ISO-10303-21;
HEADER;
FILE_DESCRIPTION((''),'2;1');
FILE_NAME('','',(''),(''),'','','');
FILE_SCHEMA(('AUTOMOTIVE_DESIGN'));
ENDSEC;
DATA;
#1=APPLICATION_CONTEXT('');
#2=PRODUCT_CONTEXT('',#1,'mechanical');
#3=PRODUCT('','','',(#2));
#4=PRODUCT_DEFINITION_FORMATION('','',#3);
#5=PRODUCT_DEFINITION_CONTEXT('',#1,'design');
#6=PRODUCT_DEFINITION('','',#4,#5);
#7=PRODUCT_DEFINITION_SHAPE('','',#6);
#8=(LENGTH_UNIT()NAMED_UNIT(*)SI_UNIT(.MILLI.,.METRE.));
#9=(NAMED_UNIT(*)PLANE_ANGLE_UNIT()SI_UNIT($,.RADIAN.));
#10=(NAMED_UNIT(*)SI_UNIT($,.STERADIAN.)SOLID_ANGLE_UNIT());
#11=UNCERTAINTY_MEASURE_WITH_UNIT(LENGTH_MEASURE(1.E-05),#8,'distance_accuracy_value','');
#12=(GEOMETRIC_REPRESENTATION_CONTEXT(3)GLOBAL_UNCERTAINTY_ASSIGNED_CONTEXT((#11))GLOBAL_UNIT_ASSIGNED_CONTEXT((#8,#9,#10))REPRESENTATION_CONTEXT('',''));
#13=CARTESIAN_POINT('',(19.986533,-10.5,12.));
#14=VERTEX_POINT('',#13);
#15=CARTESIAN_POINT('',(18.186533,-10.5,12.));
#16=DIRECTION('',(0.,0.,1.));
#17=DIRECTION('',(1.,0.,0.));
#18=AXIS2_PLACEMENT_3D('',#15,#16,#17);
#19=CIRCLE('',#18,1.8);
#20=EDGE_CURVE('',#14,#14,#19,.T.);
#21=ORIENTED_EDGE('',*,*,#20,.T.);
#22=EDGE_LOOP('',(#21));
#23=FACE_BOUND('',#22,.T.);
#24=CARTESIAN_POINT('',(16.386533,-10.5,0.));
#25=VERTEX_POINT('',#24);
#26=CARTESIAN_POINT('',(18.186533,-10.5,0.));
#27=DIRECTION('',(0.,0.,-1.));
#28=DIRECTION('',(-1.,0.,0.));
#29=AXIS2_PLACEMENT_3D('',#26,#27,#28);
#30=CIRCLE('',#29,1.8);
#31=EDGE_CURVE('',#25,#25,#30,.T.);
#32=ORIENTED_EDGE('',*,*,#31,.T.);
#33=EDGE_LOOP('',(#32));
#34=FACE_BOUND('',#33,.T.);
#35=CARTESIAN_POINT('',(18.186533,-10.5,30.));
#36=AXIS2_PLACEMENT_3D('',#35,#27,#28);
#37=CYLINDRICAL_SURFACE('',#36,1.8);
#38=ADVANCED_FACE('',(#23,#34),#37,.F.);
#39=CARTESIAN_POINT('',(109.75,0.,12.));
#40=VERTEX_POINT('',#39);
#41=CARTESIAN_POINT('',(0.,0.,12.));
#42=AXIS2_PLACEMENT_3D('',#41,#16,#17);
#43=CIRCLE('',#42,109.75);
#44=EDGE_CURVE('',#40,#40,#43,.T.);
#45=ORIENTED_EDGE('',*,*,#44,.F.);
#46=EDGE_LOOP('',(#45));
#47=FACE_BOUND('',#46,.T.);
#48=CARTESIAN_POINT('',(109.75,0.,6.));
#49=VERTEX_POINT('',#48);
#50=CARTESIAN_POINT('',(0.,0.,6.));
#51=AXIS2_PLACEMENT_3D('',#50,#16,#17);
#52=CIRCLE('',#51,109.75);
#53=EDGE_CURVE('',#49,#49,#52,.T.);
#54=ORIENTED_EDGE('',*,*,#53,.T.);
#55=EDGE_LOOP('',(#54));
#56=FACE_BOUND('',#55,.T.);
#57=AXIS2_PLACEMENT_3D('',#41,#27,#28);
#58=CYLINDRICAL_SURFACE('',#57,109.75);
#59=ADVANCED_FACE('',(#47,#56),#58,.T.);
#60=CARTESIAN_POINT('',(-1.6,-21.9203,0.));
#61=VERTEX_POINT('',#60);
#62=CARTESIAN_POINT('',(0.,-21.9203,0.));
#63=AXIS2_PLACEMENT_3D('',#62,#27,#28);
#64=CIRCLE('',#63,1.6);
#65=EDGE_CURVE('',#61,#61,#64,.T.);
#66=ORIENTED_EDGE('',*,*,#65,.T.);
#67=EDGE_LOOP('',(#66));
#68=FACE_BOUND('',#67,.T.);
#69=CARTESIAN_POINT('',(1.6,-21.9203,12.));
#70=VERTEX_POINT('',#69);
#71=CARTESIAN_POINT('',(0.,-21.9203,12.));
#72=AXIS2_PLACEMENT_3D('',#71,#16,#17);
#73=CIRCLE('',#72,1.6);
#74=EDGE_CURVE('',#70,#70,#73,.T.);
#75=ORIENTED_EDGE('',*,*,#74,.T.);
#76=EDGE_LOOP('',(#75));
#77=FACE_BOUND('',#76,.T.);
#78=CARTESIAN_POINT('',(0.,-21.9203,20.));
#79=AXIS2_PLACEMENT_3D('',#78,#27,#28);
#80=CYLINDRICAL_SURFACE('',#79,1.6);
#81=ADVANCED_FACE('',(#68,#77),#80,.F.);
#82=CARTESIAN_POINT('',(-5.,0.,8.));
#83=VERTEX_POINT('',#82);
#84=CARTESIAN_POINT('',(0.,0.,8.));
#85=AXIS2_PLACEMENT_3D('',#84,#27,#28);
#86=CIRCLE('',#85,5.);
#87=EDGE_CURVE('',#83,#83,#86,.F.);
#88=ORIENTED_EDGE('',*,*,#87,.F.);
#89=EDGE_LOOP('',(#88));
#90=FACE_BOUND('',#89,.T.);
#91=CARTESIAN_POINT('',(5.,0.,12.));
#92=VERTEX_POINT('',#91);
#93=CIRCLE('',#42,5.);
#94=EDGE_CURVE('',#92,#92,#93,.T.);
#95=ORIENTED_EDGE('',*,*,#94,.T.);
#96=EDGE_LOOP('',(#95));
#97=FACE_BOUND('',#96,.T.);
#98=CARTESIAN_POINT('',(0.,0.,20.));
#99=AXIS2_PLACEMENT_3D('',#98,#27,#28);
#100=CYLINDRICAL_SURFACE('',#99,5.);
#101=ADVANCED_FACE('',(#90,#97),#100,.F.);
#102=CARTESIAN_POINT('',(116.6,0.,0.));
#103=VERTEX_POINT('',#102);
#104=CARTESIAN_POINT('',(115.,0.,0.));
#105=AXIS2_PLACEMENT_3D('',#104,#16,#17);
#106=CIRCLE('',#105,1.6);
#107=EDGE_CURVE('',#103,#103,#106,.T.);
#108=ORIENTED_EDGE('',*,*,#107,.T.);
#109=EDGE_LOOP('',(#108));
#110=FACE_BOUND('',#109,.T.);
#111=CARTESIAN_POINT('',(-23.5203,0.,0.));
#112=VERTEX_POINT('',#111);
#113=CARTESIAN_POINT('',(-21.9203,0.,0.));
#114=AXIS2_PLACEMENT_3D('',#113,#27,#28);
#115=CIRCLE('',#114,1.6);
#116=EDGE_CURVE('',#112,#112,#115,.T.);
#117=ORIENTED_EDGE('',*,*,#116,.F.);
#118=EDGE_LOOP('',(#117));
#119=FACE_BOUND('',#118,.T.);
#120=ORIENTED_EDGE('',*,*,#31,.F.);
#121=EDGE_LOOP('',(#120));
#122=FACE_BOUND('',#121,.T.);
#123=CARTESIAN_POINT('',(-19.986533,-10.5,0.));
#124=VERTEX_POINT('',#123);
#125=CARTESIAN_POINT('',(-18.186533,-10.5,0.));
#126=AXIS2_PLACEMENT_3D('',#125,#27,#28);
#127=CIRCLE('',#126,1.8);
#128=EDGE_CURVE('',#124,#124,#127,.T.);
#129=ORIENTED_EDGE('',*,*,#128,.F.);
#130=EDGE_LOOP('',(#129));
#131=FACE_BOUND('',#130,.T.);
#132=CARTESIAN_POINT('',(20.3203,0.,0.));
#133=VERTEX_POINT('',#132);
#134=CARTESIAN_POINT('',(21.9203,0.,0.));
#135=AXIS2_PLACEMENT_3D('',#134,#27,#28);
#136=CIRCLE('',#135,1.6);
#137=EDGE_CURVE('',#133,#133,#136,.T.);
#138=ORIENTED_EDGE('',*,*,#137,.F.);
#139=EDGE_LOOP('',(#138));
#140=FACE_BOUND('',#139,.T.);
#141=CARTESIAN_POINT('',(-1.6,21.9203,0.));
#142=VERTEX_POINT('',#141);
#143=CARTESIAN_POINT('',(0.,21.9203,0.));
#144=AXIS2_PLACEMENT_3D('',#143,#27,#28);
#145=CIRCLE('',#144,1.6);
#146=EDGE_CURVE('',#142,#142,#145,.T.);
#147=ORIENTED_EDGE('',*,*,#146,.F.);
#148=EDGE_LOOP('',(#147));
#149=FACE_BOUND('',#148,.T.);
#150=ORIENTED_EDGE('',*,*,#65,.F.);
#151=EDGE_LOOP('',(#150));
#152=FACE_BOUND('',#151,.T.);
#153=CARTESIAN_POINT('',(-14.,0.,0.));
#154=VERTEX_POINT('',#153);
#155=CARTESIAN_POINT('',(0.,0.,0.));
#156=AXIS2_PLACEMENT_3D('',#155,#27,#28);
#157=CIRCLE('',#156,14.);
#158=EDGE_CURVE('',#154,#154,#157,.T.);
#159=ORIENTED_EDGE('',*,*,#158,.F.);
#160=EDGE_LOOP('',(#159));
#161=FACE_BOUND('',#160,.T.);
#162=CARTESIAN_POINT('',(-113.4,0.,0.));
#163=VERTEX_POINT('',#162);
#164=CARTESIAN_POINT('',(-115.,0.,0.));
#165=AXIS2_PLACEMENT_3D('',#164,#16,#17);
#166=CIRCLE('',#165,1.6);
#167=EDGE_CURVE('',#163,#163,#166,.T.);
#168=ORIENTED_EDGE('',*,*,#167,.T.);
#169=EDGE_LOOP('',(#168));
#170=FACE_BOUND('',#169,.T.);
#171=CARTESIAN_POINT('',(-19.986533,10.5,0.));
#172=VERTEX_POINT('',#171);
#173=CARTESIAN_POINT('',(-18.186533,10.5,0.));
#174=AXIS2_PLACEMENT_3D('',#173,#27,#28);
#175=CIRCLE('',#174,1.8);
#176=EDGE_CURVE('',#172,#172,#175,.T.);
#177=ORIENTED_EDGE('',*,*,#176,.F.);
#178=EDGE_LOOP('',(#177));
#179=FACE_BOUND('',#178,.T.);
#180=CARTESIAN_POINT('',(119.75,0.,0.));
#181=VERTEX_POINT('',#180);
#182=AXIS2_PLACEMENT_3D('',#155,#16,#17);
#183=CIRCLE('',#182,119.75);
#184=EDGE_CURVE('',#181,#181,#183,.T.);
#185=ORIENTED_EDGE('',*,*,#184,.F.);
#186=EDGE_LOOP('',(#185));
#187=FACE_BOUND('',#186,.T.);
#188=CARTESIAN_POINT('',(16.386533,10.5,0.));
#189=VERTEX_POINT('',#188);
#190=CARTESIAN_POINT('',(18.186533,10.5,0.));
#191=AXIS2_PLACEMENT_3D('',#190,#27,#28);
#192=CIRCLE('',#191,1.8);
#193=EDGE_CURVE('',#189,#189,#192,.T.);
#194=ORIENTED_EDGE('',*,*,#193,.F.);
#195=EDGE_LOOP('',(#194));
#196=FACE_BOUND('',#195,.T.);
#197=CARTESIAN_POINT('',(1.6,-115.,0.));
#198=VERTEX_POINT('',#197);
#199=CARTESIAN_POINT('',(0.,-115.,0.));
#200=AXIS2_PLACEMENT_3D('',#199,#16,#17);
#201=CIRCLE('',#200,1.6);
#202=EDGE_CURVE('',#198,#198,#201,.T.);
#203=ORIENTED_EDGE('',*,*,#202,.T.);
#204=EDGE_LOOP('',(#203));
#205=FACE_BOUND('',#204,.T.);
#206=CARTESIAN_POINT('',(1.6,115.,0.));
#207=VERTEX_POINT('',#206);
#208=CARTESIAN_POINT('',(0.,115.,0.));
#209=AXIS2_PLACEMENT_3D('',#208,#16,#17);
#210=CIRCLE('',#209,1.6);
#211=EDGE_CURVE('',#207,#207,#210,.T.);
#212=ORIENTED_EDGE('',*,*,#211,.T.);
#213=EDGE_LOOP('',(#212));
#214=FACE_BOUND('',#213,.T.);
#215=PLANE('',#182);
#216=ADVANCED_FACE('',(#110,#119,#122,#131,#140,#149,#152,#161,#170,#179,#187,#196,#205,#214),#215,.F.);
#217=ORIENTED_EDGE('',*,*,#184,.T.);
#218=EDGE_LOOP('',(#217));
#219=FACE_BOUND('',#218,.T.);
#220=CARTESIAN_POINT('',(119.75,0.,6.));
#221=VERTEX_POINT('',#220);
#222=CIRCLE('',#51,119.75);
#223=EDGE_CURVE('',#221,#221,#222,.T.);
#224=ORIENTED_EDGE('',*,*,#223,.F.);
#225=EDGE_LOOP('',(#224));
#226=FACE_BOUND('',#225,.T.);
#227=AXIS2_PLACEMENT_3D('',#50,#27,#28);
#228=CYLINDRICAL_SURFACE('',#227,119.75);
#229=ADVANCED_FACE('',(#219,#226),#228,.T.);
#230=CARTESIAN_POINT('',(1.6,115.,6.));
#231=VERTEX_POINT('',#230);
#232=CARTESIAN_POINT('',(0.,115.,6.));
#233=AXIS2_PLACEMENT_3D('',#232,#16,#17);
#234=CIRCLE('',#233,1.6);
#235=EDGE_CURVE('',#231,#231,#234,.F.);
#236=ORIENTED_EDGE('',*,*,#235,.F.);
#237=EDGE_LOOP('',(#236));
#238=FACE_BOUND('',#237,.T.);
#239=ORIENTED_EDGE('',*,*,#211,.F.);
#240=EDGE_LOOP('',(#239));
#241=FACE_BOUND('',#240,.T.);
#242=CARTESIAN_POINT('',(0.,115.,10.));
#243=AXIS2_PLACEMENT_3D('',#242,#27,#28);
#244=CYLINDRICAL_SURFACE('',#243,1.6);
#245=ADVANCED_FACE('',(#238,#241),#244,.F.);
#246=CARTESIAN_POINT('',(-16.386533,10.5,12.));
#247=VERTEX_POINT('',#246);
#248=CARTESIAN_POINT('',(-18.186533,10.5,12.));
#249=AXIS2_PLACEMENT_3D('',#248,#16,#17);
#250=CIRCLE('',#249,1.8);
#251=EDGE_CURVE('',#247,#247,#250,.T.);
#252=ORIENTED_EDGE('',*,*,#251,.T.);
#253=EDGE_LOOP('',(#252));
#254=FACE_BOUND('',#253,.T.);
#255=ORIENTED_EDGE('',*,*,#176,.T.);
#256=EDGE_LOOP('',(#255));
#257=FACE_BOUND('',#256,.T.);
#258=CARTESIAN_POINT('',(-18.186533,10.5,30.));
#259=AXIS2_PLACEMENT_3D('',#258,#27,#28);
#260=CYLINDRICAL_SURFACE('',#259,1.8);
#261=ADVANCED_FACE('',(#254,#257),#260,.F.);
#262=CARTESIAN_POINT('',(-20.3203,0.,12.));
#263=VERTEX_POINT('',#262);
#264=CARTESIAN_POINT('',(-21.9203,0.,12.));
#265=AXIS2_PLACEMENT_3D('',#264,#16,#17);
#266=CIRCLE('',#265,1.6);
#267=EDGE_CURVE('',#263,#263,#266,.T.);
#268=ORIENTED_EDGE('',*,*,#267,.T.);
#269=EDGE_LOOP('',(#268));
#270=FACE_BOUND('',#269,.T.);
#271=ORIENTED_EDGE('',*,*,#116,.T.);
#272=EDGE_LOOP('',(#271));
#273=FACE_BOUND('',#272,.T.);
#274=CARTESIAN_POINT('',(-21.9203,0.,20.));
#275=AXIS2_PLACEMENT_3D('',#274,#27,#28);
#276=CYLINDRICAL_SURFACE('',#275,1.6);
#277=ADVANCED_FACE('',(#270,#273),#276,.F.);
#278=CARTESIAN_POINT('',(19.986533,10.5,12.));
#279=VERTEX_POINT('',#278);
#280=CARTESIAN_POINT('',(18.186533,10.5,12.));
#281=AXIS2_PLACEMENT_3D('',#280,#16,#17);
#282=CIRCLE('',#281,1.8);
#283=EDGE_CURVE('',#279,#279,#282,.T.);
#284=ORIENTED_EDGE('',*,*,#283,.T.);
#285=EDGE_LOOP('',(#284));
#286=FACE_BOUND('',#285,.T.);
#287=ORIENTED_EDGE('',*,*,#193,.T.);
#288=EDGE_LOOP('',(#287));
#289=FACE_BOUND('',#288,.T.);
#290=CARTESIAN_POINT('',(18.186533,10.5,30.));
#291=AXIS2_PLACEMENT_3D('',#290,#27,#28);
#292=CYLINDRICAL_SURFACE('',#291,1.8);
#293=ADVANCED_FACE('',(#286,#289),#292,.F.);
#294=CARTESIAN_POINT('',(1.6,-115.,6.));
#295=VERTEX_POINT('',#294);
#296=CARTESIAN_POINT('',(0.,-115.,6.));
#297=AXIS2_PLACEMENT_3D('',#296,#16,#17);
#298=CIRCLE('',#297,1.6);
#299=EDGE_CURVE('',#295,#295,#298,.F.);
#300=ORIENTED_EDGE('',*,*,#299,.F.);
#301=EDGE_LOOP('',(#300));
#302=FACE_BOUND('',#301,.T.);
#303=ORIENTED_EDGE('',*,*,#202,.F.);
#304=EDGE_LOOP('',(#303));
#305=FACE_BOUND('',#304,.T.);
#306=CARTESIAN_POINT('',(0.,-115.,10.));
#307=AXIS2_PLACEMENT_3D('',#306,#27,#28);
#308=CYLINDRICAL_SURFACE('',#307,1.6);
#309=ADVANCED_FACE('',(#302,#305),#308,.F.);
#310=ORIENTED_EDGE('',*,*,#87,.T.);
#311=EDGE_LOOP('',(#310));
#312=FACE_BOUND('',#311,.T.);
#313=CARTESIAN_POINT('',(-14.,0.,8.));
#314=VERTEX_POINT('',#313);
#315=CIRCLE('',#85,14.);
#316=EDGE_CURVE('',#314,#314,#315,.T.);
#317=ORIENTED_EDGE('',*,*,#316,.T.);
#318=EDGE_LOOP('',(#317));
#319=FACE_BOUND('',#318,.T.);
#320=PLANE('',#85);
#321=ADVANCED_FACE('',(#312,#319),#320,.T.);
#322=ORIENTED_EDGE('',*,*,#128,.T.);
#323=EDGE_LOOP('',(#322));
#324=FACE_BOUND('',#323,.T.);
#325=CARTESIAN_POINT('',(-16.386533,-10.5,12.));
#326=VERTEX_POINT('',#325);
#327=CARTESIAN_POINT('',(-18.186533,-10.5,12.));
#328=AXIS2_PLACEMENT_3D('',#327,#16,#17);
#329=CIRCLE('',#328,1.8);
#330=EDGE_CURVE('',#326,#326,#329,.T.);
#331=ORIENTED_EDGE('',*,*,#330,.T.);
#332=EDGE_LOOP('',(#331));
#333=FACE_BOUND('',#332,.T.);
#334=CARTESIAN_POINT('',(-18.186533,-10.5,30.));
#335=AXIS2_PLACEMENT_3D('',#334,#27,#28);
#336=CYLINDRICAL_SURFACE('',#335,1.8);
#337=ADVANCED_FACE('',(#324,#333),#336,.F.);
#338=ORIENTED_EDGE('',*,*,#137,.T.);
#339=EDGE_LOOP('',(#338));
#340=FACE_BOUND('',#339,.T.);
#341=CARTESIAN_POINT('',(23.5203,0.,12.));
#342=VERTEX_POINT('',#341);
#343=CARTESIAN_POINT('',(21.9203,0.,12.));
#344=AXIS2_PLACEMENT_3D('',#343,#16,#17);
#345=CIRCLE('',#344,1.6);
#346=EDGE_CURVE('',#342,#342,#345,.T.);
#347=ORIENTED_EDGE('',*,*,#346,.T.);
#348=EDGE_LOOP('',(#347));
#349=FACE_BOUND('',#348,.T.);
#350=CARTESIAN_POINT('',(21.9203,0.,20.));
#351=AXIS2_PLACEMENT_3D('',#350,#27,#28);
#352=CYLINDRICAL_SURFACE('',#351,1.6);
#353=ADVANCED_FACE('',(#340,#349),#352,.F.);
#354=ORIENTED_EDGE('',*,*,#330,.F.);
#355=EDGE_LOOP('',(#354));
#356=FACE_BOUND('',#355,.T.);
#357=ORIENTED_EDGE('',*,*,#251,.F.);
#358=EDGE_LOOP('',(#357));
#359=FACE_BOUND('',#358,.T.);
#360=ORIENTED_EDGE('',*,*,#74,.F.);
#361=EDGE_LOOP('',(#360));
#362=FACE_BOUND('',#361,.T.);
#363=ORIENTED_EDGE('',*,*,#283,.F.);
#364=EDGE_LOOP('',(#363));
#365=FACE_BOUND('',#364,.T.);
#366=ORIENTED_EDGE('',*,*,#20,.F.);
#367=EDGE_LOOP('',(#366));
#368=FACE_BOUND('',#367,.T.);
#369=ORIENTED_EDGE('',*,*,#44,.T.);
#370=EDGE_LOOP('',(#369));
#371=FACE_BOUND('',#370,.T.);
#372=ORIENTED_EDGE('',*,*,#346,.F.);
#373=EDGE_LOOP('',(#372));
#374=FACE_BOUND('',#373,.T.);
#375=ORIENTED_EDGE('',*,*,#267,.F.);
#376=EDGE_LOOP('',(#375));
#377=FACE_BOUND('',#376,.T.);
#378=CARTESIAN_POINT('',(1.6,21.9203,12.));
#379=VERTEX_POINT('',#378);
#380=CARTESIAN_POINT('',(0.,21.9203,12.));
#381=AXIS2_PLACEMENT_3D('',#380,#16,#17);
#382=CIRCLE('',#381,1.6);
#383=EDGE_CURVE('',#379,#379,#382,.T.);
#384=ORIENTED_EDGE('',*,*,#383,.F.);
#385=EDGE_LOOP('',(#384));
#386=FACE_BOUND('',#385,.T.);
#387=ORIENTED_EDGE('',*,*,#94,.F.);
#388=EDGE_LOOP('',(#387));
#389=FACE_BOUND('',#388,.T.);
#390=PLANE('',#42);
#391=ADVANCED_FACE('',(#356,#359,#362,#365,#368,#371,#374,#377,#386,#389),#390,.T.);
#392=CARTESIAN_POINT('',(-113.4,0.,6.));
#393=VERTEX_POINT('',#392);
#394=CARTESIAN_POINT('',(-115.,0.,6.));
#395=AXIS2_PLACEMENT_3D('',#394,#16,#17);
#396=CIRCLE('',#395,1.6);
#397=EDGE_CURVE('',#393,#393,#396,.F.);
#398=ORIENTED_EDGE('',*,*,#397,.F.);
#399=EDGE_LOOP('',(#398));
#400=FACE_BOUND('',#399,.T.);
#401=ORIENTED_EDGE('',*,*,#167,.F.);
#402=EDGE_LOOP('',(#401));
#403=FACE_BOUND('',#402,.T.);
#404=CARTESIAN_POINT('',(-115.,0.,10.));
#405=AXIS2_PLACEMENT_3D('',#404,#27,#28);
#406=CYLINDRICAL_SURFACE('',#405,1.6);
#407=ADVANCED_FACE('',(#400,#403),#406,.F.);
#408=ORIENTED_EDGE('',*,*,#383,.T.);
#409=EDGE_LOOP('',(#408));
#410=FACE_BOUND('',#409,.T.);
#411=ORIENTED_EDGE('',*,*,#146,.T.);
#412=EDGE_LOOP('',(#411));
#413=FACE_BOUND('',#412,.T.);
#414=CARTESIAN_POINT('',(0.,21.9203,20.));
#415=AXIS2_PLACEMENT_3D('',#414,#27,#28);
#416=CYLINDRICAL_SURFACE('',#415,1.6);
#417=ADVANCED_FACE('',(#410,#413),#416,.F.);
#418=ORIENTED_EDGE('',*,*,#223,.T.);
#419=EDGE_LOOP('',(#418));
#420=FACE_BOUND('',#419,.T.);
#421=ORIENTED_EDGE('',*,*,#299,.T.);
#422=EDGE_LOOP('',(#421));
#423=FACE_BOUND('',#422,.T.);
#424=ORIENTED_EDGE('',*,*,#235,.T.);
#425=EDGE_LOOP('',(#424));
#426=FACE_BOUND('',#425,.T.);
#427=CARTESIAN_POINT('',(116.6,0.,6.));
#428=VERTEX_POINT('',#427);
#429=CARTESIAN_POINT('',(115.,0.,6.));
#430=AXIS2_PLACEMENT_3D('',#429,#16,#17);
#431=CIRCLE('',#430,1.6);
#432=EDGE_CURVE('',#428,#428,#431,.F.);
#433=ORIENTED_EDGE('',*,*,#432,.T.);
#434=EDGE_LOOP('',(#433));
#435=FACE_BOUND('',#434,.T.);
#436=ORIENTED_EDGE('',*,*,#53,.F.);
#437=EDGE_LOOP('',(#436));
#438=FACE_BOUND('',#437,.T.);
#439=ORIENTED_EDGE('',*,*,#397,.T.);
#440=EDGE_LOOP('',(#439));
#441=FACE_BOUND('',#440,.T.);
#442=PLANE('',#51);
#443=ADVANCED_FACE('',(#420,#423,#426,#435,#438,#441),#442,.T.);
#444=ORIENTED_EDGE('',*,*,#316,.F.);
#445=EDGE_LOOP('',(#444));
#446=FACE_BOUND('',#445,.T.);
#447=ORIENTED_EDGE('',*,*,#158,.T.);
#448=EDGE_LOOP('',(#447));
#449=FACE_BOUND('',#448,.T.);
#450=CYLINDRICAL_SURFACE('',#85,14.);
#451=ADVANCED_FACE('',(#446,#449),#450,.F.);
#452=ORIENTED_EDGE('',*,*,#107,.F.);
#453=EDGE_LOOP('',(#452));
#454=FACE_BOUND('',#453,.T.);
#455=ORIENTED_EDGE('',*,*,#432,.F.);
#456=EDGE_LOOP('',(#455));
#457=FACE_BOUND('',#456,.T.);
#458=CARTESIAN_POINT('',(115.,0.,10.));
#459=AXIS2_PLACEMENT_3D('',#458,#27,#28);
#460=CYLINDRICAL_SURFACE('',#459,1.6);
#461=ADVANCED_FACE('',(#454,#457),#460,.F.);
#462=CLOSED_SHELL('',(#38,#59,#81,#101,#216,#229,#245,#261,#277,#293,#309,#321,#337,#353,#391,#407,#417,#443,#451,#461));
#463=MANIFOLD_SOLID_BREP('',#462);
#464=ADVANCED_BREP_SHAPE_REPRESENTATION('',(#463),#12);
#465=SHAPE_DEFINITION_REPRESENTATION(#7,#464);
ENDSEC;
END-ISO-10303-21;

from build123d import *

# Parameters (mm, degrees)
SKETCH_1_R          = 109.75
EXTRUDE_1_DEPTH     = 12
SKETCH_2_R          = 119.75
EXTRUDE_2_DEPTH     = 6
SKETCH_3_R          = 1.6
CUT_EXTRUDE_1_DEPTH = 10
SKETCH_4_R          = 1.6
CUT_EXTRUDE_2_DEPTH = 20
SKETCH_4_5_R        = 1.6
CUT_EXTRUDE_3_DEPTH = 20
SKETCH_6_R          = 5
CUT_EXTRUDE_5_DEPTH = 20
SKETCH_7_R          = 1.8
CUT_EXTRUDE_8_DEPTH = 30
SKETCH_10_R         = 14
CUT_EXTRUDE_9_DEPTH = 8


with BuildPart() as part:
    # 草图1 → 凸台-拉伸1 (new body)
    with BuildSketch(Plane.XY):
        Circle(SKETCH_1_R)
    extrude(amount=EXTRUDE_1_DEPTH)

    # 草图2 → 凸台-拉伸2 (add)
    with BuildSketch(Plane.XY):
        Circle(SKETCH_2_R)
    extrude(amount=EXTRUDE_2_DEPTH)

    # 草图3 → 切除-拉伸1 (cut)
    with BuildSketch(Plane.XY):
        with Locations((-115, 0)):
            Circle(SKETCH_3_R)
        with Locations((115, 0)):
            Circle(SKETCH_3_R)
        with Locations((0, -115)):
            Circle(SKETCH_3_R)
        with Locations((0, 115)):
            Circle(SKETCH_3_R)
    extrude(amount=CUT_EXTRUDE_1_DEPTH, mode=Mode.SUBTRACT)

    # 草图4 → 切除-拉伸2 (cut)
    with BuildSketch(Plane(origin=(0, 0, 0), x_dir=(-1, 0, 0), z_dir=(0, 0, -1))):
        with Locations((0, -21.9203)):
            Circle(SKETCH_4_R)
    extrude(amount=-CUT_EXTRUDE_2_DEPTH, mode=Mode.SUBTRACT)

    # 草图4<5> → 切除-拉伸3 (cut)
    with BuildSketch(Plane(origin=(0, 0, 0), x_dir=(-1, 0, 0), z_dir=(0, 0, -1))):
        with Locations((-21.9203, 0)):
            Circle(SKETCH_4_5_R)
        with Locations((0, 21.9203)):
            Circle(SKETCH_4_5_R)
        with Locations((21.9203, 0)):
            Circle(SKETCH_4_5_R)
        with Locations((0, -21.9203)):
            Circle(SKETCH_4_5_R)
    extrude(amount=-CUT_EXTRUDE_3_DEPTH, mode=Mode.SUBTRACT)

    # 草图6 → 切除-拉伸5 (cut)
    with BuildSketch(Plane(origin=(0, 0, 0), x_dir=(-1, 0, 0), z_dir=(0, 0, -1))):
        Circle(SKETCH_6_R)
    extrude(amount=-CUT_EXTRUDE_5_DEPTH, mode=Mode.SUBTRACT)

    # 草图7 → 切除-拉伸8 (cut)
    with BuildSketch(Plane(origin=(0, 0, 0), x_dir=(-1, 0, 0), z_dir=(0, 0, -1))):
        with Locations((-18.186533479, 10.5)):
            Circle(SKETCH_7_R)
        with Locations((18.186533479, 10.5)):
            Circle(SKETCH_7_R)
        with Locations((18.186533479, -10.5)):
            Circle(SKETCH_7_R)
        with Locations((-18.186533479, -10.5)):
            Circle(SKETCH_7_R)
    extrude(amount=-CUT_EXTRUDE_8_DEPTH, mode=Mode.SUBTRACT)

    # 草图10 → 切除-拉伸9 (cut)
    with BuildSketch(Plane(origin=(0, 0, 0), x_dir=(-1, 0, 0), z_dir=(0, 0, -1))):
        Circle(SKETCH_10_R)
    extrude(amount=-CUT_EXTRUDE_9_DEPTH, mode=Mode.SUBTRACT)


solid = part.part
